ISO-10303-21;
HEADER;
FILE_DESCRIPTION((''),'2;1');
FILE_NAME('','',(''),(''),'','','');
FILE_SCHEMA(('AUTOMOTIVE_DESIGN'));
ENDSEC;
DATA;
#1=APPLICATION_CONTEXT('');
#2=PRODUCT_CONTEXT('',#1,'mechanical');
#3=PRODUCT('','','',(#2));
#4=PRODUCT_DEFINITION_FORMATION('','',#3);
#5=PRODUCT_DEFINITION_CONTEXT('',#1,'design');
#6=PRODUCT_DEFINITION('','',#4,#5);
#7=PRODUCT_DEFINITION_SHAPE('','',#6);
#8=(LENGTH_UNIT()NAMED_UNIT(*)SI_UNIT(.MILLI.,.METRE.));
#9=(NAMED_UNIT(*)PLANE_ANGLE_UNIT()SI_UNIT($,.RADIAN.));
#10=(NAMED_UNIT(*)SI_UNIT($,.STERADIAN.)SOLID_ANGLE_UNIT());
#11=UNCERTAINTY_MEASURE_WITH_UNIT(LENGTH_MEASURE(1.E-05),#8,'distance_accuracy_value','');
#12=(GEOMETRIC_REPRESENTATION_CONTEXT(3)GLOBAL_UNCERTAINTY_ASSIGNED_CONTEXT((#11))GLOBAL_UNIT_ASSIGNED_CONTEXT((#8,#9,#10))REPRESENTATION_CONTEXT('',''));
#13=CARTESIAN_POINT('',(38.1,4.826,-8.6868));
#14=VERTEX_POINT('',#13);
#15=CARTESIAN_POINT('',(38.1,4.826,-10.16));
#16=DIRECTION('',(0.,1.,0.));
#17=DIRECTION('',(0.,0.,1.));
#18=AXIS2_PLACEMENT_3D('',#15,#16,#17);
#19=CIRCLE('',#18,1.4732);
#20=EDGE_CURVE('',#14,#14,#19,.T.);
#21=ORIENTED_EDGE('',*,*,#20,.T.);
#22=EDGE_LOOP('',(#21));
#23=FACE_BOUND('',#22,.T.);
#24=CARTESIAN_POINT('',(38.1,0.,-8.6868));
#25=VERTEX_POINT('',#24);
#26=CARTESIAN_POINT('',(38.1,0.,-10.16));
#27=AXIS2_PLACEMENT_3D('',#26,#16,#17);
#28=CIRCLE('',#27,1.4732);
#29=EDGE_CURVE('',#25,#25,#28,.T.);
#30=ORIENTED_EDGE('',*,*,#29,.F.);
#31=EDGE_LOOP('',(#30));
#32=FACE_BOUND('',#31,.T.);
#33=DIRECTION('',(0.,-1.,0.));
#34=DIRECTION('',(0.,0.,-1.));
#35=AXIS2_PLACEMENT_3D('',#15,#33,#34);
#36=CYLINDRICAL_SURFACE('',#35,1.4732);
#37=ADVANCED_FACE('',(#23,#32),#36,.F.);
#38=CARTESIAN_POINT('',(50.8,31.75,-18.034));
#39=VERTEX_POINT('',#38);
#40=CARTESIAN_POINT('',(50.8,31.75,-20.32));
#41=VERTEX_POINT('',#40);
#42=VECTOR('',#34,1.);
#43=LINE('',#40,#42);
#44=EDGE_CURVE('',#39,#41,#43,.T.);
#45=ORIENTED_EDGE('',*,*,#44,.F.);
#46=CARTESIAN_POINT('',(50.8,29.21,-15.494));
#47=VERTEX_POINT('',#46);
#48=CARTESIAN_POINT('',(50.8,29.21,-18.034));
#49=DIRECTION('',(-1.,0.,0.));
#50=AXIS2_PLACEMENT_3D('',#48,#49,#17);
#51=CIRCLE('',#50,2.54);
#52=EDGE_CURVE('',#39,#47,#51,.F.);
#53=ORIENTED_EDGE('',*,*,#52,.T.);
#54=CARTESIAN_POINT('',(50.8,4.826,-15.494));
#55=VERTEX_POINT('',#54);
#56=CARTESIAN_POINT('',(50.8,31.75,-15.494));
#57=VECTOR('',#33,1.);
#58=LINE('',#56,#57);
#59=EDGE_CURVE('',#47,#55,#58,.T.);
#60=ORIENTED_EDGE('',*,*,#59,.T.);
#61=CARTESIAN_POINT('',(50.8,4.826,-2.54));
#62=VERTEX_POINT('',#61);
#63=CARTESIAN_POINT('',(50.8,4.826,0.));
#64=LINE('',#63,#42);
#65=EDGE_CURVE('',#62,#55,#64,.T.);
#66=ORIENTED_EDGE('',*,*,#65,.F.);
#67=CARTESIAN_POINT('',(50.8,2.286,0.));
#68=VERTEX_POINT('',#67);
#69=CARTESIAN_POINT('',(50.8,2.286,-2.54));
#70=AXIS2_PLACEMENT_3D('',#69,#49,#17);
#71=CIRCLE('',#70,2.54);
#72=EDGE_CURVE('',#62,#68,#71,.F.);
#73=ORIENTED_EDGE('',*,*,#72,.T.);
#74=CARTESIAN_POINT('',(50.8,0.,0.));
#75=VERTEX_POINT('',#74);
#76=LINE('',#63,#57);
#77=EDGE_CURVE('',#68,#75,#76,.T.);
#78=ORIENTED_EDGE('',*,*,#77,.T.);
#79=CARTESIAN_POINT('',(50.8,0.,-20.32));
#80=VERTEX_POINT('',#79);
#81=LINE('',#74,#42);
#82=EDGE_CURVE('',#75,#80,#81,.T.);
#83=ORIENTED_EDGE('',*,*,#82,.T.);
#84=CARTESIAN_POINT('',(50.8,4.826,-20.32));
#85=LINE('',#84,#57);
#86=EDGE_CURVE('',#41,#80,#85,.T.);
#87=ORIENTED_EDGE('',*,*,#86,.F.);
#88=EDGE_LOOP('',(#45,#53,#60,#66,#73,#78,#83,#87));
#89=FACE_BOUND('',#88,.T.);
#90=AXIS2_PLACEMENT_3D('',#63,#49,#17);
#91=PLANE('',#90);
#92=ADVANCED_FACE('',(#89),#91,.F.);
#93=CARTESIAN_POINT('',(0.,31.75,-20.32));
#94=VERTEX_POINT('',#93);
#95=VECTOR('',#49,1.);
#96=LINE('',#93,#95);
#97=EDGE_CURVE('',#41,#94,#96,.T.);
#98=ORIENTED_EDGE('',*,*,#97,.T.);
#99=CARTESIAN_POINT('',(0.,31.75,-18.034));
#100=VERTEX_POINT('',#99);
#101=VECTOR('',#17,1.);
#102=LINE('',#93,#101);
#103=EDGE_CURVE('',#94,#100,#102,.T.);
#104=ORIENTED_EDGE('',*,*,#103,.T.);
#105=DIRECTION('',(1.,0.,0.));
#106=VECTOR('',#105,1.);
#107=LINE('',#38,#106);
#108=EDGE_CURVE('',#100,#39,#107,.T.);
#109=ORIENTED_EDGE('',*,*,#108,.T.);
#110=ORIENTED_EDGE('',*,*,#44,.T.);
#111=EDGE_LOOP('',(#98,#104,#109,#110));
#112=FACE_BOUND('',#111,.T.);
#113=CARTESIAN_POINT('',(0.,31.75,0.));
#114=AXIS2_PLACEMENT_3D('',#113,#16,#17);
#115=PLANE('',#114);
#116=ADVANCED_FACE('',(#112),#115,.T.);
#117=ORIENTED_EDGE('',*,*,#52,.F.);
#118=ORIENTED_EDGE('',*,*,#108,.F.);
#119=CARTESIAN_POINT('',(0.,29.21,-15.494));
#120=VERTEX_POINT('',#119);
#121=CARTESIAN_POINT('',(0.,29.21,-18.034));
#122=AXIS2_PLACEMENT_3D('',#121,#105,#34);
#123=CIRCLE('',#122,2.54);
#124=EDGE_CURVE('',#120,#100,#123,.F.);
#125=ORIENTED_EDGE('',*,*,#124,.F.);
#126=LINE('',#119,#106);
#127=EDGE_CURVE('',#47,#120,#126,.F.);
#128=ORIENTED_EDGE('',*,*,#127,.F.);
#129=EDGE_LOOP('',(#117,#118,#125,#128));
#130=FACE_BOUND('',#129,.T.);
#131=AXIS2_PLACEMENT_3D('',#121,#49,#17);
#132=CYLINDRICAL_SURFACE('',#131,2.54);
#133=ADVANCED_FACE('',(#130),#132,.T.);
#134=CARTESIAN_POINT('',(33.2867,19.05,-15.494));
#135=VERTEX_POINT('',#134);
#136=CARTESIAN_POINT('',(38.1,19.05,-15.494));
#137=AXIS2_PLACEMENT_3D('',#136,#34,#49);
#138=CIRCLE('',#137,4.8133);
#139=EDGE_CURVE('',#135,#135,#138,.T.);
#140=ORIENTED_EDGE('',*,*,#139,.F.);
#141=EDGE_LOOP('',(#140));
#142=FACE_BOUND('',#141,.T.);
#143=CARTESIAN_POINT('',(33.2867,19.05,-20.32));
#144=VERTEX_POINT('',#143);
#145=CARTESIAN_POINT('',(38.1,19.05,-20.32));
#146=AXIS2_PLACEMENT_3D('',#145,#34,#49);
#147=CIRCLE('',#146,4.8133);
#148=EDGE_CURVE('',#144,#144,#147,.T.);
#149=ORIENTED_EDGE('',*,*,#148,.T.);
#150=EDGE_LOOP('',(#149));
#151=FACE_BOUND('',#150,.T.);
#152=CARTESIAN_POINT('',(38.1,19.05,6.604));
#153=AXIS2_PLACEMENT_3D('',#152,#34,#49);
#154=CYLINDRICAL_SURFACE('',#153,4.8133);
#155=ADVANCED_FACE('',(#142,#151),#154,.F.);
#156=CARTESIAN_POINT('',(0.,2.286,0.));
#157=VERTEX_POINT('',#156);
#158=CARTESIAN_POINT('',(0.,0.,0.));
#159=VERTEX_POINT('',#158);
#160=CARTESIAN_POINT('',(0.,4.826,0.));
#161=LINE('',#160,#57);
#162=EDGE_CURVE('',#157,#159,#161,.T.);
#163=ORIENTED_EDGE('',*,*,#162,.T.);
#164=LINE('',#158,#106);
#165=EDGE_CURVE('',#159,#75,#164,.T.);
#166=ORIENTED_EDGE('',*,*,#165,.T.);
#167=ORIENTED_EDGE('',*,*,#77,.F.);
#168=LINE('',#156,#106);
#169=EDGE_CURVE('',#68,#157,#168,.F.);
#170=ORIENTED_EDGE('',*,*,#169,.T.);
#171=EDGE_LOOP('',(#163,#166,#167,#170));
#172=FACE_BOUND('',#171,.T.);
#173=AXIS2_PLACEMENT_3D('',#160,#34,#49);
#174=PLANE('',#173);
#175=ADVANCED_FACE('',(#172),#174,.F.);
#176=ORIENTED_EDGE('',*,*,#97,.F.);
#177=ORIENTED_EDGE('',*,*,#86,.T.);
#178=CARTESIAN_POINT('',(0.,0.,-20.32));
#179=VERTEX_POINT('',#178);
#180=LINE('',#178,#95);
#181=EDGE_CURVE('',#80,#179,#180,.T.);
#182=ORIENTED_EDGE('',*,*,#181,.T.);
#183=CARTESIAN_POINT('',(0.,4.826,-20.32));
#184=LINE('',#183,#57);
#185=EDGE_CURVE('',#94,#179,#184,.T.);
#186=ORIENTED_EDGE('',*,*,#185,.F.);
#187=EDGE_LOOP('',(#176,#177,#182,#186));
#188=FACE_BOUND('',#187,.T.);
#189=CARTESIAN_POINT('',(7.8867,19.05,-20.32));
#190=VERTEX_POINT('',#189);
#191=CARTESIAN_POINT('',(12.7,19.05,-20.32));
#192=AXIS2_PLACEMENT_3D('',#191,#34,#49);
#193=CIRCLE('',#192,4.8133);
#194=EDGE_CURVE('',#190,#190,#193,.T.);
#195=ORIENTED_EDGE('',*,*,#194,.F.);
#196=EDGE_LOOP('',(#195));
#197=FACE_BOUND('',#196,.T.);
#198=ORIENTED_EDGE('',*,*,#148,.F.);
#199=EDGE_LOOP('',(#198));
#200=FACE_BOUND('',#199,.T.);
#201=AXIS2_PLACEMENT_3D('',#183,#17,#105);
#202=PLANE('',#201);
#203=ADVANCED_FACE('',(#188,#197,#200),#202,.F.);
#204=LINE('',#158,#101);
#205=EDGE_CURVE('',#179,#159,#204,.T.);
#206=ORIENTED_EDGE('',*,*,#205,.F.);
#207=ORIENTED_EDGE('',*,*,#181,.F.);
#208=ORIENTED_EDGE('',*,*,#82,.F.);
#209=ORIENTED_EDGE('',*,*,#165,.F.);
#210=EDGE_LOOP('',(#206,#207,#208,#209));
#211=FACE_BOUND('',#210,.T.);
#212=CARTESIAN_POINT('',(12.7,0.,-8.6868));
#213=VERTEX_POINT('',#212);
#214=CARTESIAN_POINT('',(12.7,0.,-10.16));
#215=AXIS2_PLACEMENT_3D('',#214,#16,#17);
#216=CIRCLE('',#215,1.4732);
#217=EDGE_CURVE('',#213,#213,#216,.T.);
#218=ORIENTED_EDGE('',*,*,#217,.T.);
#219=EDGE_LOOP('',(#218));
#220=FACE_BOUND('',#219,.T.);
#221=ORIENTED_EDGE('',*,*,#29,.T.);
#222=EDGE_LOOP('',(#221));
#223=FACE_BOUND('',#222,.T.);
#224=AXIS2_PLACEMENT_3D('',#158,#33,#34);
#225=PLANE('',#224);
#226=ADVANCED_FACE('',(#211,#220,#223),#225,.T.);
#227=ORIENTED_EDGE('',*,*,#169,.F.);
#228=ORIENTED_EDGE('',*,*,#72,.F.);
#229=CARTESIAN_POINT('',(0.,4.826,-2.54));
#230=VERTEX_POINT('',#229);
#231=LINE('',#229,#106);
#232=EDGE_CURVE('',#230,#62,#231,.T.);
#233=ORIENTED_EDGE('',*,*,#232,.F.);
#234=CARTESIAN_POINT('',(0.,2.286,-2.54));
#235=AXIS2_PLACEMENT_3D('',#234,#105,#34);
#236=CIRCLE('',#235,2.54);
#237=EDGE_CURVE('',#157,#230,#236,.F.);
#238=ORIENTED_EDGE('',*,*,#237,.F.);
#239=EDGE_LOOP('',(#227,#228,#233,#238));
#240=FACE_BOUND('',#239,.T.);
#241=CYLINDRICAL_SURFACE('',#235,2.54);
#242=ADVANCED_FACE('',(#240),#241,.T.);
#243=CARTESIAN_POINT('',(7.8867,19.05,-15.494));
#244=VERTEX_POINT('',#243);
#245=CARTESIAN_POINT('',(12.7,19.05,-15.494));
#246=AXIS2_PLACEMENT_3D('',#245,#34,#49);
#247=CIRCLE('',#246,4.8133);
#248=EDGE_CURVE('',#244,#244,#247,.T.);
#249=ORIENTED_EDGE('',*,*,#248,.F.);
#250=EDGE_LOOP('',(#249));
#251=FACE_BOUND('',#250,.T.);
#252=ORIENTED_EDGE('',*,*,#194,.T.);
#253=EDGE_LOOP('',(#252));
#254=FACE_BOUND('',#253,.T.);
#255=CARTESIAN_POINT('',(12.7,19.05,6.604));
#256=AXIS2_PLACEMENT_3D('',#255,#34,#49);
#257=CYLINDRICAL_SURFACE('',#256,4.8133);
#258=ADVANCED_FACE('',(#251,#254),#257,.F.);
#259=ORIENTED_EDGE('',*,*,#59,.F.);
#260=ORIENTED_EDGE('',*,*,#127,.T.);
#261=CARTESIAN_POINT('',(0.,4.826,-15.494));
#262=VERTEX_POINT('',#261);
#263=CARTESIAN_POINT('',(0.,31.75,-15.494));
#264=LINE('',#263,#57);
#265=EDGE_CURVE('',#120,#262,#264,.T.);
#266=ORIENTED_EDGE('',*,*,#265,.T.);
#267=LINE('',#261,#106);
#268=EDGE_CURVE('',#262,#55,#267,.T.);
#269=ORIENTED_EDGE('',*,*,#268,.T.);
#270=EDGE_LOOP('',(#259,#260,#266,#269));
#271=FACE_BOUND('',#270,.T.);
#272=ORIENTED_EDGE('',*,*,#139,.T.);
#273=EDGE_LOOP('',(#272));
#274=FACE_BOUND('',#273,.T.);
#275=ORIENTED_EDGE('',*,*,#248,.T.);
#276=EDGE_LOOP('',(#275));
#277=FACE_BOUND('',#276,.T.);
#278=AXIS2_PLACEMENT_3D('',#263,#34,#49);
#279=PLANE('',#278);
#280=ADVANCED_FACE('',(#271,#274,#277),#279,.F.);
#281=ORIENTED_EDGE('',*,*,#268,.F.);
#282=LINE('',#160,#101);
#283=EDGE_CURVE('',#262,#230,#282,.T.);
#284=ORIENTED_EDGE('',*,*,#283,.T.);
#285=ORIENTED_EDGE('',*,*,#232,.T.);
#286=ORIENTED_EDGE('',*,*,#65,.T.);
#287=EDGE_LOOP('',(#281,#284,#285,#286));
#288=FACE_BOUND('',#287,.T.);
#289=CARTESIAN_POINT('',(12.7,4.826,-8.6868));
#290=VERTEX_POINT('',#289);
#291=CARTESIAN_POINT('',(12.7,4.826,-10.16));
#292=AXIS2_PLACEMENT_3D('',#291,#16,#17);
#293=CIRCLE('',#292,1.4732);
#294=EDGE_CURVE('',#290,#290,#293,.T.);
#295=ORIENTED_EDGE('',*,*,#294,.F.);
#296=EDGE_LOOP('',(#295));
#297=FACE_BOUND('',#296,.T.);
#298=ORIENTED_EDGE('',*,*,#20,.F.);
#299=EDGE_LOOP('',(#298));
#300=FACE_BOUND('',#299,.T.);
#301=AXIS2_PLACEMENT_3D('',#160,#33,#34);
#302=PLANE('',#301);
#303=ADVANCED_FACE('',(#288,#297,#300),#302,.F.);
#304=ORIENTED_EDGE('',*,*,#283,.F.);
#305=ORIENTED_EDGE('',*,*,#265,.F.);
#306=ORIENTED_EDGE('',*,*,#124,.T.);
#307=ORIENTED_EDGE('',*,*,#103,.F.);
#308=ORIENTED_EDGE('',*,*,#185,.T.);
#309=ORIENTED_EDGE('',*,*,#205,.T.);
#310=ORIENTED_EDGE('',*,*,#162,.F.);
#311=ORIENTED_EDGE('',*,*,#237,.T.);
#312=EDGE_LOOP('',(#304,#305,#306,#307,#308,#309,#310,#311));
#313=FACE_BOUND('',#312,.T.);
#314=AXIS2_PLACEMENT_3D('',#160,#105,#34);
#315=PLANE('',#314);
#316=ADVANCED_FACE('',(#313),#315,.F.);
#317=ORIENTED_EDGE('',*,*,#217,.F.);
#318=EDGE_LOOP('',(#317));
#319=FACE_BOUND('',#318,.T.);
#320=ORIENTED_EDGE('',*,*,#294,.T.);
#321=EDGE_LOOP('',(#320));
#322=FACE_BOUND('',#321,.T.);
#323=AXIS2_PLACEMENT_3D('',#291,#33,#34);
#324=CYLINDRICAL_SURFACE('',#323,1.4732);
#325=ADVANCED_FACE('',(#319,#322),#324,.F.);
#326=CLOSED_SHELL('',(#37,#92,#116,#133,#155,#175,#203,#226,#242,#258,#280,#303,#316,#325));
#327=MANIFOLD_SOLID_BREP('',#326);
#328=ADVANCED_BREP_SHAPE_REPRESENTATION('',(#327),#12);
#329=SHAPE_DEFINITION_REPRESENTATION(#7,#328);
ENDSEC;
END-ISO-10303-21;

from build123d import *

# Parameters (mm, degrees)
SKETCH1_W           = 50.8
SKETCH1_H           = 20.32
SKETCH1_R           = 1.4732
BOSS_EXTRUDE1_DEPTH = 4.826
SKETCH2_W           = 50.8
SKETCH2_H           = 4.826
BOSS_EXTRUDE2_DEPTH = 26.924
FILLET1_R           = 2.54
SKETCH3_R           = 4.8133
CUT_EXTRUDE1_DEPTH  = 26.924


with BuildPart() as part:
    # Sketch1 → Boss-Extrude1 (new body)
    with BuildSketch(Plane(origin=(0, 0, 0), x_dir=(1, 0, 0), z_dir=(0, 1, 0))):
        with Locations((25.4, 10.16)):
            Rectangle(SKETCH1_W, SKETCH1_H)
        with Locations(Location((12.7, 10.16, 0), (0, 0, 270))):
            Circle(SKETCH1_R, mode=Mode.SUBTRACT)
        with Locations(Location((38.1, 10.16, 0), (0, 0, 270))):
            Circle(SKETCH1_R, mode=Mode.SUBTRACT)
    extrude(amount=BOSS_EXTRUDE1_DEPTH)

    # Sketch2 → Boss-Extrude2 (add)
    with BuildSketch(Plane(origin=(0, 4.826, 0), x_dir=(1, 0, 0), z_dir=(0, 1, 0))):
        with Locations((25.4, 17.907)):
            Rectangle(SKETCH2_W, SKETCH2_H)
    extrude(amount=BOSS_EXTRUDE2_DEPTH)

    # Fillet1
    fillet1_edges = [part.edges().sort_by_distance(p)[0] for p in [
        (25.4, 31.75, -15.494),
        (25.4, 4.826, 0),
    ]]
    fillet(fillet1_edges, radius=FILLET1_R)

    # Sketch3 → Cut-Extrude1 (cut)
    with BuildSketch(Plane(origin=(0, 0, -20.32), x_dir=(-1, 0, 0), z_dir=(0, 0, -1))):
        with Locations((-38.1, 19.05)):
            Circle(SKETCH3_R)
        with Locations((-12.7, 19.05)):
            Circle(SKETCH3_R)
    extrude(amount=-CUT_EXTRUDE1_DEPTH, mode=Mode.SUBTRACT)


solid = part.part
